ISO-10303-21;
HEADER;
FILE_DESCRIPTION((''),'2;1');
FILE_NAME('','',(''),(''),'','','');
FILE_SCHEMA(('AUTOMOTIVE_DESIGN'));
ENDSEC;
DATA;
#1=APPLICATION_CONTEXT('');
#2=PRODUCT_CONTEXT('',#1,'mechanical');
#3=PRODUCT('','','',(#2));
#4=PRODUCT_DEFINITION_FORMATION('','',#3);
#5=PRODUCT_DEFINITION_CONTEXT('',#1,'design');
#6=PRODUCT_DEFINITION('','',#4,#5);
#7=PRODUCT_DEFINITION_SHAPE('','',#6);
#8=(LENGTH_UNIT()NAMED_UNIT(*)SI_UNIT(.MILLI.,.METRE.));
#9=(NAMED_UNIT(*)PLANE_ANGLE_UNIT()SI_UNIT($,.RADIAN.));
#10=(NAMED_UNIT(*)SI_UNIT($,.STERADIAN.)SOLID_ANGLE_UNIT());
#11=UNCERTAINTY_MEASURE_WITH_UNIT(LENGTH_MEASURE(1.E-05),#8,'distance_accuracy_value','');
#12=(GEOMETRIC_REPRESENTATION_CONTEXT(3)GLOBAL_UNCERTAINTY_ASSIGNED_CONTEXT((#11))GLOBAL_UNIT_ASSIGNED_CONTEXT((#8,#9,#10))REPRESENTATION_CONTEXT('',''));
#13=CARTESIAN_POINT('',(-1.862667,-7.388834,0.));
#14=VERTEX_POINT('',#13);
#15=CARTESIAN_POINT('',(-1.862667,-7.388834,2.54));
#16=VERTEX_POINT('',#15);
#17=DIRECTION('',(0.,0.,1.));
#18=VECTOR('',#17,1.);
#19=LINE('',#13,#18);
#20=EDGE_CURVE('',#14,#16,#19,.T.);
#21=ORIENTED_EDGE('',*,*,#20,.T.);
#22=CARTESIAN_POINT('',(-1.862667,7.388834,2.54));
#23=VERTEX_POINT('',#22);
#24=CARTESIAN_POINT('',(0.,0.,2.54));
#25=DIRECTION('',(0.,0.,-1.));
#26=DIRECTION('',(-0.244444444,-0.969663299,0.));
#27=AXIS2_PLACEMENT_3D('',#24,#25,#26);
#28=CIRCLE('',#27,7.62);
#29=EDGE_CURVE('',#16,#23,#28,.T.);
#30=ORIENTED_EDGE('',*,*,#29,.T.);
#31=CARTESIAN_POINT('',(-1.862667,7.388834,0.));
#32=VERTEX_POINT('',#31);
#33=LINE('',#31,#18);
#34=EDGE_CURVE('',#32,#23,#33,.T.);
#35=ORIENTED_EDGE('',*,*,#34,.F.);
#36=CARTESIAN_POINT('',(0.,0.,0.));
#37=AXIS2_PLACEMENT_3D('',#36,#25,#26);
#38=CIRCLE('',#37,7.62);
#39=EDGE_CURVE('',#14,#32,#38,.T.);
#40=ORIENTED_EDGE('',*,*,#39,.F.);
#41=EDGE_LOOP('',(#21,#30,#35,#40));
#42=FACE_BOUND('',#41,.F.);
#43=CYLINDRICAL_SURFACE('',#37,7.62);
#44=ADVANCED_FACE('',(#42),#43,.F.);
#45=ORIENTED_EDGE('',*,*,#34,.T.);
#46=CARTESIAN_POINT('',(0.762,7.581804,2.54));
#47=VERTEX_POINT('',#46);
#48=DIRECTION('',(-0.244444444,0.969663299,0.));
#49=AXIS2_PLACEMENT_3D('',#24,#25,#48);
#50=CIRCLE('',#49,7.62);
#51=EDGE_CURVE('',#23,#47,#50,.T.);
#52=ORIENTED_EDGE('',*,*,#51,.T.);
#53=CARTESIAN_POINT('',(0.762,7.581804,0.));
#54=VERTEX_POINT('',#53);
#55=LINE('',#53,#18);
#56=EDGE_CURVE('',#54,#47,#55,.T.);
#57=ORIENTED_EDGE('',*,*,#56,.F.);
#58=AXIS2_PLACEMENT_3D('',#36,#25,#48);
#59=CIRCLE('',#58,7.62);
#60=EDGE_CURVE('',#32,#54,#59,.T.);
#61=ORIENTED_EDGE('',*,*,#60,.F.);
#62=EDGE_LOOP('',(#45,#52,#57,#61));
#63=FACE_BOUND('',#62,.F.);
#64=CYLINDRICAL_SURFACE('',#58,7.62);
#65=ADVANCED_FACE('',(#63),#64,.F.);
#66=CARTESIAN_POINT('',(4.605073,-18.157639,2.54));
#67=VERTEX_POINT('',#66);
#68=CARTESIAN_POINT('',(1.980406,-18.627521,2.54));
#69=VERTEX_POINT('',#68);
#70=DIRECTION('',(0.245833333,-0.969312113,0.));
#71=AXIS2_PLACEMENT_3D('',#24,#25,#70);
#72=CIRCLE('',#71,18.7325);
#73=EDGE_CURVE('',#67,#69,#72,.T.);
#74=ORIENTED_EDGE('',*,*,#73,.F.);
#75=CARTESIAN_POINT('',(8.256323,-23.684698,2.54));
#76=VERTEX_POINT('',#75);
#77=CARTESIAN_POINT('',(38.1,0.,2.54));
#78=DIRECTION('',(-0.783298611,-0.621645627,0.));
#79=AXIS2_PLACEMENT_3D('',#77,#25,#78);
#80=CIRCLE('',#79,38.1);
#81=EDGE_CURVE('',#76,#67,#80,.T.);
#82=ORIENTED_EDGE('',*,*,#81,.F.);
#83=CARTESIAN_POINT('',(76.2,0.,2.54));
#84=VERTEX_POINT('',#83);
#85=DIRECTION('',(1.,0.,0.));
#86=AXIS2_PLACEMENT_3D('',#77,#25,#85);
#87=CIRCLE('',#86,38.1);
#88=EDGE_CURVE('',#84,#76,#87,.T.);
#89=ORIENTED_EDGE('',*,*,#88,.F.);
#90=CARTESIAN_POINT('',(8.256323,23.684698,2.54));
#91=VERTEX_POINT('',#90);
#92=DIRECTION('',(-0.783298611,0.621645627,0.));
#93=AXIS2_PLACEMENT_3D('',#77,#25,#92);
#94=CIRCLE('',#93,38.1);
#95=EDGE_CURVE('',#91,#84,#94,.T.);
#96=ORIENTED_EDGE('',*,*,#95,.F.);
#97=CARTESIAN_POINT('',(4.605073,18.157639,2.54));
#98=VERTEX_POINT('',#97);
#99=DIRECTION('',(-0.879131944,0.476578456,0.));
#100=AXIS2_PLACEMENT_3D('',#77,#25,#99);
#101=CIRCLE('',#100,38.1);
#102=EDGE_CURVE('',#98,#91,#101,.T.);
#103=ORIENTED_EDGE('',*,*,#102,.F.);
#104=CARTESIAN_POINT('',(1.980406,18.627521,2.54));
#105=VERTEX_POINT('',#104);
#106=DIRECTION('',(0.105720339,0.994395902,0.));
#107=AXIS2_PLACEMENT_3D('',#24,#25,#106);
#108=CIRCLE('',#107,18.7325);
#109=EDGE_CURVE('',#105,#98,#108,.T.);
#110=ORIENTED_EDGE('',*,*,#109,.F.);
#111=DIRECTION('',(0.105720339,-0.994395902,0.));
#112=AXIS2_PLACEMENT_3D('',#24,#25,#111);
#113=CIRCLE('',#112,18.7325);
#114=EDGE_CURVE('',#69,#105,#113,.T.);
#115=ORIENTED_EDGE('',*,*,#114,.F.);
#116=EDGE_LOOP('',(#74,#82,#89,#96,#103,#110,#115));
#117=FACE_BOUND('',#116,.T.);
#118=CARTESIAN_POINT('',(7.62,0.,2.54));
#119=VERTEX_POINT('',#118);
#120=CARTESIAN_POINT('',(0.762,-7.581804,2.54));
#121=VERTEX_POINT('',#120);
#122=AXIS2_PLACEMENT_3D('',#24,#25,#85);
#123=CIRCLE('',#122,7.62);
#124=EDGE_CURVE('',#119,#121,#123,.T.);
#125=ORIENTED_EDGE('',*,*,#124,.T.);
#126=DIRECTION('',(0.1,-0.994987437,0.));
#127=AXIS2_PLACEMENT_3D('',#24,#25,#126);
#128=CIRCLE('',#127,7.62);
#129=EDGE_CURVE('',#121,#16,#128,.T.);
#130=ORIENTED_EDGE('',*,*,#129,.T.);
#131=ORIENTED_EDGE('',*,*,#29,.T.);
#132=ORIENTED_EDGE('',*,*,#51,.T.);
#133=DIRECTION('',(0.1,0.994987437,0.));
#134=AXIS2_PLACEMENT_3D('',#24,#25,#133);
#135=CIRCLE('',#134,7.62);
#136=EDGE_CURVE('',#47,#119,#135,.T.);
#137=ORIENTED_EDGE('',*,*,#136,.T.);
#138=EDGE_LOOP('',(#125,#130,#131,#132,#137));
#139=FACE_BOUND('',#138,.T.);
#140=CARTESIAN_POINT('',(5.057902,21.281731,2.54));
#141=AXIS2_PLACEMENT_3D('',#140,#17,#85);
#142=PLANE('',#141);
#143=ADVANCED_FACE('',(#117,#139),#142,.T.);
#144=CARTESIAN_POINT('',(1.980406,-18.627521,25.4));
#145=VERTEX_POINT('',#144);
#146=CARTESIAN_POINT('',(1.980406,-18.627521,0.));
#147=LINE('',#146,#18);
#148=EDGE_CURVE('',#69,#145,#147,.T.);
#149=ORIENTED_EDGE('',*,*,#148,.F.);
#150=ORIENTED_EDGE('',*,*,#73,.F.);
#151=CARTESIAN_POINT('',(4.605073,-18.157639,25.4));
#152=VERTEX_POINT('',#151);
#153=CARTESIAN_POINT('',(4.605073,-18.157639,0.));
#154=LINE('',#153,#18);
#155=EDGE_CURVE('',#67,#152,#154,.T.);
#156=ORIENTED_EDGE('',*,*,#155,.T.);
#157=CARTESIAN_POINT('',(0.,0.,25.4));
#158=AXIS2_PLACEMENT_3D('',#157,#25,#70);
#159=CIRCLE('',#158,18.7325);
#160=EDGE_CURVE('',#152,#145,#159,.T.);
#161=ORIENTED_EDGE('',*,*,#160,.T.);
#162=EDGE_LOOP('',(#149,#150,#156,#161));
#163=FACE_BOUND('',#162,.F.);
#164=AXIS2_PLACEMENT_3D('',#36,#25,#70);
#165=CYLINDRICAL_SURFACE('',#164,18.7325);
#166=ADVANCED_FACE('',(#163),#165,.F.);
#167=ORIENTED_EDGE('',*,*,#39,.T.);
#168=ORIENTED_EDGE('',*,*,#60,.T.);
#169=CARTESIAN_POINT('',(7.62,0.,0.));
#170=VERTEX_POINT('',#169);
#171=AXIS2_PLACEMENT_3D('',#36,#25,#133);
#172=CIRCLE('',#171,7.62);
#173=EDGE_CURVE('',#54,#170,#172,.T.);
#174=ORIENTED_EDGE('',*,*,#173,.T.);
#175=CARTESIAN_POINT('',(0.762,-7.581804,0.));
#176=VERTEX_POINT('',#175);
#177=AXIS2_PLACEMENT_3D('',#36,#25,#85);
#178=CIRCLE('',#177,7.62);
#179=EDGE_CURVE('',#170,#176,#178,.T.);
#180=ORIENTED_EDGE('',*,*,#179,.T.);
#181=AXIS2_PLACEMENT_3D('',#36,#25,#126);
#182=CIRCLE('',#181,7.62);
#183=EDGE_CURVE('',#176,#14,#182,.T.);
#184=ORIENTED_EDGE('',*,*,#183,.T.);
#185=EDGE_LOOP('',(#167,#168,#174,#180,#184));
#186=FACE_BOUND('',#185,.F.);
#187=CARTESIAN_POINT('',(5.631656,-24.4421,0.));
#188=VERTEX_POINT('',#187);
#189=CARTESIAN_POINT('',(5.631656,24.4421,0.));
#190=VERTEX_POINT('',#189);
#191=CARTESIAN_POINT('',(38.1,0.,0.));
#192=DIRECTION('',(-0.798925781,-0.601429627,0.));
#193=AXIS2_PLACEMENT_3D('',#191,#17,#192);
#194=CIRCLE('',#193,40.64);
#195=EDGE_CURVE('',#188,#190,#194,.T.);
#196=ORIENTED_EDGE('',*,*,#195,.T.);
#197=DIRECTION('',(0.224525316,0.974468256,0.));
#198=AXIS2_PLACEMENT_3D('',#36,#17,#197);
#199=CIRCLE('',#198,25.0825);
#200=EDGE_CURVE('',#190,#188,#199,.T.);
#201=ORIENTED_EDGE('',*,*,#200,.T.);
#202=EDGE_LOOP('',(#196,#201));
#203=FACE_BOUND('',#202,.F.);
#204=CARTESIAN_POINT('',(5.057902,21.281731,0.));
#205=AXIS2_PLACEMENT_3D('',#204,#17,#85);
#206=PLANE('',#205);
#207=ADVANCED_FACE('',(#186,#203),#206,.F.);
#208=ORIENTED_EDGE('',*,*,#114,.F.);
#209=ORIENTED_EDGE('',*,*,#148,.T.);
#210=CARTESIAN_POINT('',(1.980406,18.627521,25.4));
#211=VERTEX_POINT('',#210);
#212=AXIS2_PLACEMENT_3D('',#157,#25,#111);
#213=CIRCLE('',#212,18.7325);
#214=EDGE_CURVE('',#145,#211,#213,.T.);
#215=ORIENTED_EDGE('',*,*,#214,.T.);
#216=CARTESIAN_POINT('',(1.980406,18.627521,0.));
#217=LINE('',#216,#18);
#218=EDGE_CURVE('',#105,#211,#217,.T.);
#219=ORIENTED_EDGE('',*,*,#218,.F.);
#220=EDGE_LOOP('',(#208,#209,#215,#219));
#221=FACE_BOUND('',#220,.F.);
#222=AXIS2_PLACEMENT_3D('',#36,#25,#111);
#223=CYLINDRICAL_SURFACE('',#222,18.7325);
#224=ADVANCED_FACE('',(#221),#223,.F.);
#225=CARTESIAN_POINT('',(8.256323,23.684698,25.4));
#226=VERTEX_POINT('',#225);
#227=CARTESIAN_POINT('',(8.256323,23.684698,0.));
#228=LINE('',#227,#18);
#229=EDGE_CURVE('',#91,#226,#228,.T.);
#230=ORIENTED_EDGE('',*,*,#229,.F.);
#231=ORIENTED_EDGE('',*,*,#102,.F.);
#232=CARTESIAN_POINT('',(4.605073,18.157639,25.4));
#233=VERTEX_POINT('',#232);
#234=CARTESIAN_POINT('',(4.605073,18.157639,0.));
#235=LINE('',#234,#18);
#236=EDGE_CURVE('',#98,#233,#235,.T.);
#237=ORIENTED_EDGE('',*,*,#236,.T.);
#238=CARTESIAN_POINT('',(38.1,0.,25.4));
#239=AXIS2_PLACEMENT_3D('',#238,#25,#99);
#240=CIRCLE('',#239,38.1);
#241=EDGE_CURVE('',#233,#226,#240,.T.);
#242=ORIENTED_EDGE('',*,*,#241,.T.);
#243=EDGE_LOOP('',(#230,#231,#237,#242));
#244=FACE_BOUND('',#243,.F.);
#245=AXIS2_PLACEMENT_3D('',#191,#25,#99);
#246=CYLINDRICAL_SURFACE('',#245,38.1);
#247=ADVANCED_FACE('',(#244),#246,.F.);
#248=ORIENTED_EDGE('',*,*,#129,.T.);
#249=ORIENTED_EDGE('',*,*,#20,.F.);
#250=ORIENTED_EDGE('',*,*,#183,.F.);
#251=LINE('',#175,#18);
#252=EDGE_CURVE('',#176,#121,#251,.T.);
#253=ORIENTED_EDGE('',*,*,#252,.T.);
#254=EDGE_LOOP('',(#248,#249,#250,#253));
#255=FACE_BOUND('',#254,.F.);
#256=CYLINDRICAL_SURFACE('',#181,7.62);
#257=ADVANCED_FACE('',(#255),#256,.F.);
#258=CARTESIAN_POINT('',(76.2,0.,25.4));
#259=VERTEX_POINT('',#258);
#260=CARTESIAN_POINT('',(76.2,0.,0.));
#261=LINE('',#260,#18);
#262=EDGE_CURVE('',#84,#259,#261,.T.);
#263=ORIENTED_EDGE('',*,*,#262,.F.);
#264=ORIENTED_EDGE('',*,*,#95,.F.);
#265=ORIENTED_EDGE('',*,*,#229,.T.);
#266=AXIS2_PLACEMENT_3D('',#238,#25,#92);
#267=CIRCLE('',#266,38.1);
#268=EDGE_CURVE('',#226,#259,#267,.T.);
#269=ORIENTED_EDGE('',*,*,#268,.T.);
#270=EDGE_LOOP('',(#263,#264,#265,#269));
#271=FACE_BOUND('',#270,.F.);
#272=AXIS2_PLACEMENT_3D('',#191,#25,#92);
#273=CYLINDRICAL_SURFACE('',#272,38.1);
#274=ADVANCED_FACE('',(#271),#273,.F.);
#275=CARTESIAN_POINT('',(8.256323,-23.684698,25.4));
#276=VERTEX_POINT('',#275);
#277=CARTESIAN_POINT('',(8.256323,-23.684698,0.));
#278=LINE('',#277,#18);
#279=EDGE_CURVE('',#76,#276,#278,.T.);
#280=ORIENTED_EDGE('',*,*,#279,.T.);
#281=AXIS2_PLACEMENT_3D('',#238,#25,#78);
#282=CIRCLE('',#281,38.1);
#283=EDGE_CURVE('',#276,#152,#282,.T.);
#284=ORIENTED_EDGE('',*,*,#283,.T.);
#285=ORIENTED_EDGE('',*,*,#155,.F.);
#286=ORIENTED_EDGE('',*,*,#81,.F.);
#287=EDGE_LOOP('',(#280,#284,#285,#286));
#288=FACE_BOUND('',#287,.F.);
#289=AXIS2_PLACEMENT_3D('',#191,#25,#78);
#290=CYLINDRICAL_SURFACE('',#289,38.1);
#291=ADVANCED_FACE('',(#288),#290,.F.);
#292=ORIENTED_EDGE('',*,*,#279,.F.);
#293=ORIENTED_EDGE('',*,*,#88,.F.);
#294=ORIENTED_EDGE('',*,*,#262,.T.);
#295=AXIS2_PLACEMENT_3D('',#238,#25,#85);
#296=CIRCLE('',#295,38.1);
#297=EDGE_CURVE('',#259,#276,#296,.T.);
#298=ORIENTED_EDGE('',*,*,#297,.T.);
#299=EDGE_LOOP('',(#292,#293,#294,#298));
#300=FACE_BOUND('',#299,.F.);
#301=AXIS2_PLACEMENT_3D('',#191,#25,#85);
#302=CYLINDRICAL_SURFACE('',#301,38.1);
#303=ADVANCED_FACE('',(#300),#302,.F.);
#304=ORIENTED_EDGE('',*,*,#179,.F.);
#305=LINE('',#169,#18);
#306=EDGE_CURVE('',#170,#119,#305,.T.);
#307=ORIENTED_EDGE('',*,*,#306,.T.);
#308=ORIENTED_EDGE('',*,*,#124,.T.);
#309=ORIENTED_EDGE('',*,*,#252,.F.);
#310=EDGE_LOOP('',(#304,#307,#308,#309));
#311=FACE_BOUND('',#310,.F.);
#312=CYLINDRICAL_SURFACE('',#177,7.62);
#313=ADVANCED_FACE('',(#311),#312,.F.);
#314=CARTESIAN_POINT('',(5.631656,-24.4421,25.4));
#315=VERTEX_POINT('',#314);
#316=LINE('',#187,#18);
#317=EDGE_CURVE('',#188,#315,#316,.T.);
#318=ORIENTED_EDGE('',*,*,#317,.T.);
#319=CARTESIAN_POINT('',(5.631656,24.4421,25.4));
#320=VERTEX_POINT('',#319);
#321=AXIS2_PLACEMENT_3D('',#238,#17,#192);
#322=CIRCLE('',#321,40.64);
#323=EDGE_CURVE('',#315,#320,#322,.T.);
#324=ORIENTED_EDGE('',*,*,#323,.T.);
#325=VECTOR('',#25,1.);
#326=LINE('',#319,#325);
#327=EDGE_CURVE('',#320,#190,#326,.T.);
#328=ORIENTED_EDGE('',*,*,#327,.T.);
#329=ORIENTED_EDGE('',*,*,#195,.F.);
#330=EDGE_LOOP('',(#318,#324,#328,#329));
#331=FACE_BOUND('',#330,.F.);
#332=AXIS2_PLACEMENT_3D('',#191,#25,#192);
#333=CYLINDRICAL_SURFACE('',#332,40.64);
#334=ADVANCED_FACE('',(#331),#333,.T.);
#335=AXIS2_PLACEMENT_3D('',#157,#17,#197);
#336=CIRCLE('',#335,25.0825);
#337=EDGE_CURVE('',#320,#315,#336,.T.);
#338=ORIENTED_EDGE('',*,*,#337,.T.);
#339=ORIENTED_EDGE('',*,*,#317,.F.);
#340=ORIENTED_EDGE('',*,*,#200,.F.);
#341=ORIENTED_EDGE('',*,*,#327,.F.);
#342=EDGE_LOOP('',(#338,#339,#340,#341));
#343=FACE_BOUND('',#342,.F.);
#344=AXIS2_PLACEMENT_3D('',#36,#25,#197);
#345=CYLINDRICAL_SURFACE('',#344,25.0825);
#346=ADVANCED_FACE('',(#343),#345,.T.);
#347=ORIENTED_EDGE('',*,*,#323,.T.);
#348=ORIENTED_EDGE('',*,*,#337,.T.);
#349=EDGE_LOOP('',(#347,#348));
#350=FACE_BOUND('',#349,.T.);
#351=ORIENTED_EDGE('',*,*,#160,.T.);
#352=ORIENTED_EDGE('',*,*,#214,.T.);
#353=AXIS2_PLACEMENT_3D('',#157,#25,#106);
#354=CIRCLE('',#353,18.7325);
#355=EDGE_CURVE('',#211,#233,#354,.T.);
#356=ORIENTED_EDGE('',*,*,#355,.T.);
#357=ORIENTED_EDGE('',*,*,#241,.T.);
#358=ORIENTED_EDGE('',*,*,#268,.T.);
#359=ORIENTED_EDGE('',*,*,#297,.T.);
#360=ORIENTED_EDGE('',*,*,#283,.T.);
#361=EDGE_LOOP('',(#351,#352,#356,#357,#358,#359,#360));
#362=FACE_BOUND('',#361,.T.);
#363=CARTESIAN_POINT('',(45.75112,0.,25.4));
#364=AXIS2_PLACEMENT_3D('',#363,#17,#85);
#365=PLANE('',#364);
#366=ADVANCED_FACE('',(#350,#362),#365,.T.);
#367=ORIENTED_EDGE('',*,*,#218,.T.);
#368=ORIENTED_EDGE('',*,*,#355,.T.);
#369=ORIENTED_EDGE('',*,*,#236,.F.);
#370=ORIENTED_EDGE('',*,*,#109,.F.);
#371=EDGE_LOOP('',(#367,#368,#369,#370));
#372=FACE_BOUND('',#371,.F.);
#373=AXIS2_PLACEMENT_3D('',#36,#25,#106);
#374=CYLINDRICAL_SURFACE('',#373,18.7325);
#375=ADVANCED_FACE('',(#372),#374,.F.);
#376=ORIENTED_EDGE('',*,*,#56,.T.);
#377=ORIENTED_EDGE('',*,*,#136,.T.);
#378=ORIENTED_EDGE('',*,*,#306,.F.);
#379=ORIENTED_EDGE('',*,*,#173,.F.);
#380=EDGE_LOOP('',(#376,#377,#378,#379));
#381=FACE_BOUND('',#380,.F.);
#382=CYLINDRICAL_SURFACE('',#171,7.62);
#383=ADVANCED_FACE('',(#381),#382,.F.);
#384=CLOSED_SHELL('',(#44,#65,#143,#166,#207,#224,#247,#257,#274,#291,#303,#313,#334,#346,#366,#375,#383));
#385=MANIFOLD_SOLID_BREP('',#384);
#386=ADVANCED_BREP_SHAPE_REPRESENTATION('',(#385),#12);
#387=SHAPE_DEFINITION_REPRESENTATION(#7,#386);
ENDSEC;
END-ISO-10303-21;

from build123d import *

# Parameters (mm, degrees)
F0_R     = 6.35
F1_DEPTH = 2.54
F2_DEPTH = 25.4


with BuildPart() as f1:
    # F0 (on Top) → F1 (new body)
    with BuildSketch(Plane.XY):
        with BuildLine():
            ThreePointArc((1.98040625, 18.6275212343), (3.3011106094, 18.4393390607), (4.6050729167, 18.157639155))
            ThreePointArc((4.6050729167, 18.157639155), (6.310350892, 21.0006716461), (8.2563229167, 23.6846983968))
            ThreePointArc((8.2563229167, 23.6846983968), (6.9543084231, 24.0991576742), (5.63165625, 24.4421000352))
            ThreePointArc((5.63165625, 24.4421000352), (3.6830183734, 21.6120562584), (1.98040625, 18.6275212343))
        make_face()
        with BuildLine():
            ThreePointArc((8.2563229167, -23.6846983968), (6.310350892, -21.0006716461), (4.6050729167, -18.157639155))
            ThreePointArc((4.6050729167, -18.157639155), (3.3011106094, -18.4393390607), (1.98040625, -18.6275212343))
            ThreePointArc((1.98040625, -18.6275212343), (3.6830183734, -21.6120562584), (5.63165625, -24.4421000352))
            ThreePointArc((5.63165625, -24.4421000352), (6.9543084231, -24.0991576742), (8.2563229167, -23.6846983968))
        make_face()
        with BuildLine():
            ThreePointArc((1.98040625, -18.6275212343), (-18.7325, 0), (1.98040625, 18.6275212343))
            ThreePointArc((1.98040625, 18.6275212343), (3.6830183734, 21.6120562584), (5.63165625, 24.4421000352))
            ThreePointArc((5.63165625, 24.4421000352), (-25.0825, 0), (5.63165625, -24.4421000352))
            ThreePointArc((5.63165625, -24.4421000352), (3.6830183734, -21.6120562584), (1.98040625, -18.6275212343))
        make_face()
        with BuildLine():
            ThreePointArc((5.63165625, 24.4421000352), (6.9543084231, 24.0991576742), (8.2563229167, 23.6846983968))
            ThreePointArc((8.2563229167, 23.6846983968), (50.64125, 35.9767570584), (76.2, 0))
            ThreePointArc((76.2, 0), (50.64125, -35.9767570584), (8.2563229167, -23.6846983968))
            ThreePointArc((8.2563229167, -23.6846983968), (6.9543084231, -24.0991576742), (5.63165625, -24.4421000352))
            ThreePointArc((5.63165625, -24.4421000352), (50.9859634875, -38.5429830838), (78.74, 0))
            ThreePointArc((78.74, 0), (50.9859634875, 38.5429830838), (5.63165625, 24.4421000352))
        make_face()
        with BuildLine():
            ThreePointArc((-1.8626666667, 7.388834339), (-0.3539283859, 13.1493342679), (1.98040625, 18.6275212343))
            ThreePointArc((1.98040625, 18.6275212343), (-18.7325, 0), (1.98040625, -18.6275212343))
            ThreePointArc((1.98040625, -18.6275212343), (-0.3539283859, -13.1493342679), (-1.8626666667, -7.388834339))
            ThreePointArc((-1.8626666667, -7.388834339), (-7.62, 0), (-1.8626666667, 7.388834339))
        make_face()
        with BuildLine():
            ThreePointArc((0.762, 7.5818042708), (2.2909514135, 13.012380233), (4.6050729167, 18.157639155))
            ThreePointArc((4.6050729167, 18.157639155), (3.3011106094, 18.4393390607), (1.98040625, 18.6275212343))
            ThreePointArc((1.98040625, 18.6275212343), (-0.3539283859, 13.1493342679), (-1.8626666667, 7.388834339))
            ThreePointArc((-1.8626666667, 7.388834339), (-0.5587272379, 7.5994883955), (0.762, 7.5818042708))
        make_face()
        with BuildLine():
            ThreePointArc((4.6050729167, -18.157639155), (14.7846387284, -11.5030871473), (18.7325, 0))
            ThreePointArc((18.7325, 0), (14.7846387284, 11.5030871473), (4.6050729167, 18.157639155))
            ThreePointArc((4.6050729167, 18.157639155), (2.2909514135, 13.012380233), (0.762, 7.5818042708))
            ThreePointArc((0.762, 7.5818042708), (5.6511432472, 5.1116513966), (7.62, 0))
            ThreePointArc((7.62, 0), (5.6511432472, -5.1116513966), (0.762, -7.5818042708))
            ThreePointArc((0.762, -7.5818042708), (2.2909514135, -13.012380233), (4.6050729167, -18.157639155))
        make_face()
        with BuildLine():
            ThreePointArc((1.98040625, -18.6275212343), (3.3011106094, -18.4393390607), (4.6050729167, -18.157639155))
            ThreePointArc((4.6050729167, -18.157639155), (2.2909514135, -13.012380233), (0.762, -7.5818042708))
            ThreePointArc((0.762, -7.5818042708), (-0.5587272379, -7.5994883955), (-1.8626666667, -7.388834339))
            ThreePointArc((-1.8626666667, -7.388834339), (-0.3539283859, -13.1493342679), (1.98040625, -18.6275212343))
        make_face()
        with BuildLine():
            ThreePointArc((4.6050729167, 18.157639155), (14.7846387284, 11.5030871473), (18.7325, 0))
            ThreePointArc((18.7325, 0), (14.7846387284, -11.5030871473), (4.6050729167, -18.157639155))
            ThreePointArc((4.6050729167, -18.157639155), (6.310350892, -21.0006716461), (8.2563229167, -23.6846983968))
            ThreePointArc((8.2563229167, -23.6846983968), (20.4477508031, -14.5265719751), (25.0825, 0))
            ThreePointArc((25.0825, 0), (20.4477508031, 14.5265719751), (8.2563229167, 23.6846983968))
            ThreePointArc((8.2563229167, 23.6846983968), (6.310350892, 21.0006716461), (4.6050729167, 18.157639155))
        make_face()
        with BuildLine():
            ThreePointArc((76.2, 0), (50.64125, 35.9767570584), (8.2563229167, 23.6846983968))
            ThreePointArc((8.2563229167, 23.6846983968), (20.4477508031, 14.5265719751), (25.0825, 0))
            ThreePointArc((25.0825, 0), (20.4477508031, -14.5265719751), (8.2563229167, -23.6846983968))
            ThreePointArc((8.2563229167, -23.6846983968), (50.64125, -35.9767570584), (76.2, 0))
        make_face()
        with Locations((38.1, 0)):
            Circle(F0_R, mode=Mode.SUBTRACT)
        with Locations((38.1, 0)):
            Circle(F0_R)
    extrude(amount=F1_DEPTH)

    # F0 (on Top) → F2 (join)
    with BuildSketch(Plane.XY):
        with BuildLine():
            ThreePointArc((5.63165625, 24.4421000352), (6.9543084231, 24.0991576742), (8.2563229167, 23.6846983968))
            ThreePointArc((8.2563229167, 23.6846983968), (50.64125, 35.9767570584), (76.2, 0))
            ThreePointArc((76.2, 0), (50.64125, -35.9767570584), (8.2563229167, -23.6846983968))
            ThreePointArc((8.2563229167, -23.6846983968), (6.9543084231, -24.0991576742), (5.63165625, -24.4421000352))
            ThreePointArc((5.63165625, -24.4421000352), (50.9859634875, -38.5429830838), (78.74, 0))
            ThreePointArc((78.74, 0), (50.9859634875, 38.5429830838), (5.63165625, 24.4421000352))
        make_face()
        with BuildLine():
            ThreePointArc((1.98040625, 18.6275212343), (3.3011106094, 18.4393390607), (4.6050729167, 18.157639155))
            ThreePointArc((4.6050729167, 18.157639155), (6.310350892, 21.0006716461), (8.2563229167, 23.6846983968))
            ThreePointArc((8.2563229167, 23.6846983968), (6.9543084231, 24.0991576742), (5.63165625, 24.4421000352))
            ThreePointArc((5.63165625, 24.4421000352), (3.6830183734, 21.6120562584), (1.98040625, 18.6275212343))
        make_face()
        with BuildLine():
            ThreePointArc((1.98040625, -18.6275212343), (-18.7325, 0), (1.98040625, 18.6275212343))
            ThreePointArc((1.98040625, 18.6275212343), (3.6830183734, 21.6120562584), (5.63165625, 24.4421000352))
            ThreePointArc((5.63165625, 24.4421000352), (-25.0825, 0), (5.63165625, -24.4421000352))
            ThreePointArc((5.63165625, -24.4421000352), (3.6830183734, -21.6120562584), (1.98040625, -18.6275212343))
        make_face()
        with BuildLine():
            ThreePointArc((8.2563229167, -23.6846983968), (6.310350892, -21.0006716461), (4.6050729167, -18.157639155))
            ThreePointArc((4.6050729167, -18.157639155), (3.3011106094, -18.4393390607), (1.98040625, -18.6275212343))
            ThreePointArc((1.98040625, -18.6275212343), (3.6830183734, -21.6120562584), (5.63165625, -24.4421000352))
            ThreePointArc((5.63165625, -24.4421000352), (6.9543084231, -24.0991576742), (8.2563229167, -23.6846983968))
        make_face()
    extrude(amount=F2_DEPTH)


solid = f1.part
